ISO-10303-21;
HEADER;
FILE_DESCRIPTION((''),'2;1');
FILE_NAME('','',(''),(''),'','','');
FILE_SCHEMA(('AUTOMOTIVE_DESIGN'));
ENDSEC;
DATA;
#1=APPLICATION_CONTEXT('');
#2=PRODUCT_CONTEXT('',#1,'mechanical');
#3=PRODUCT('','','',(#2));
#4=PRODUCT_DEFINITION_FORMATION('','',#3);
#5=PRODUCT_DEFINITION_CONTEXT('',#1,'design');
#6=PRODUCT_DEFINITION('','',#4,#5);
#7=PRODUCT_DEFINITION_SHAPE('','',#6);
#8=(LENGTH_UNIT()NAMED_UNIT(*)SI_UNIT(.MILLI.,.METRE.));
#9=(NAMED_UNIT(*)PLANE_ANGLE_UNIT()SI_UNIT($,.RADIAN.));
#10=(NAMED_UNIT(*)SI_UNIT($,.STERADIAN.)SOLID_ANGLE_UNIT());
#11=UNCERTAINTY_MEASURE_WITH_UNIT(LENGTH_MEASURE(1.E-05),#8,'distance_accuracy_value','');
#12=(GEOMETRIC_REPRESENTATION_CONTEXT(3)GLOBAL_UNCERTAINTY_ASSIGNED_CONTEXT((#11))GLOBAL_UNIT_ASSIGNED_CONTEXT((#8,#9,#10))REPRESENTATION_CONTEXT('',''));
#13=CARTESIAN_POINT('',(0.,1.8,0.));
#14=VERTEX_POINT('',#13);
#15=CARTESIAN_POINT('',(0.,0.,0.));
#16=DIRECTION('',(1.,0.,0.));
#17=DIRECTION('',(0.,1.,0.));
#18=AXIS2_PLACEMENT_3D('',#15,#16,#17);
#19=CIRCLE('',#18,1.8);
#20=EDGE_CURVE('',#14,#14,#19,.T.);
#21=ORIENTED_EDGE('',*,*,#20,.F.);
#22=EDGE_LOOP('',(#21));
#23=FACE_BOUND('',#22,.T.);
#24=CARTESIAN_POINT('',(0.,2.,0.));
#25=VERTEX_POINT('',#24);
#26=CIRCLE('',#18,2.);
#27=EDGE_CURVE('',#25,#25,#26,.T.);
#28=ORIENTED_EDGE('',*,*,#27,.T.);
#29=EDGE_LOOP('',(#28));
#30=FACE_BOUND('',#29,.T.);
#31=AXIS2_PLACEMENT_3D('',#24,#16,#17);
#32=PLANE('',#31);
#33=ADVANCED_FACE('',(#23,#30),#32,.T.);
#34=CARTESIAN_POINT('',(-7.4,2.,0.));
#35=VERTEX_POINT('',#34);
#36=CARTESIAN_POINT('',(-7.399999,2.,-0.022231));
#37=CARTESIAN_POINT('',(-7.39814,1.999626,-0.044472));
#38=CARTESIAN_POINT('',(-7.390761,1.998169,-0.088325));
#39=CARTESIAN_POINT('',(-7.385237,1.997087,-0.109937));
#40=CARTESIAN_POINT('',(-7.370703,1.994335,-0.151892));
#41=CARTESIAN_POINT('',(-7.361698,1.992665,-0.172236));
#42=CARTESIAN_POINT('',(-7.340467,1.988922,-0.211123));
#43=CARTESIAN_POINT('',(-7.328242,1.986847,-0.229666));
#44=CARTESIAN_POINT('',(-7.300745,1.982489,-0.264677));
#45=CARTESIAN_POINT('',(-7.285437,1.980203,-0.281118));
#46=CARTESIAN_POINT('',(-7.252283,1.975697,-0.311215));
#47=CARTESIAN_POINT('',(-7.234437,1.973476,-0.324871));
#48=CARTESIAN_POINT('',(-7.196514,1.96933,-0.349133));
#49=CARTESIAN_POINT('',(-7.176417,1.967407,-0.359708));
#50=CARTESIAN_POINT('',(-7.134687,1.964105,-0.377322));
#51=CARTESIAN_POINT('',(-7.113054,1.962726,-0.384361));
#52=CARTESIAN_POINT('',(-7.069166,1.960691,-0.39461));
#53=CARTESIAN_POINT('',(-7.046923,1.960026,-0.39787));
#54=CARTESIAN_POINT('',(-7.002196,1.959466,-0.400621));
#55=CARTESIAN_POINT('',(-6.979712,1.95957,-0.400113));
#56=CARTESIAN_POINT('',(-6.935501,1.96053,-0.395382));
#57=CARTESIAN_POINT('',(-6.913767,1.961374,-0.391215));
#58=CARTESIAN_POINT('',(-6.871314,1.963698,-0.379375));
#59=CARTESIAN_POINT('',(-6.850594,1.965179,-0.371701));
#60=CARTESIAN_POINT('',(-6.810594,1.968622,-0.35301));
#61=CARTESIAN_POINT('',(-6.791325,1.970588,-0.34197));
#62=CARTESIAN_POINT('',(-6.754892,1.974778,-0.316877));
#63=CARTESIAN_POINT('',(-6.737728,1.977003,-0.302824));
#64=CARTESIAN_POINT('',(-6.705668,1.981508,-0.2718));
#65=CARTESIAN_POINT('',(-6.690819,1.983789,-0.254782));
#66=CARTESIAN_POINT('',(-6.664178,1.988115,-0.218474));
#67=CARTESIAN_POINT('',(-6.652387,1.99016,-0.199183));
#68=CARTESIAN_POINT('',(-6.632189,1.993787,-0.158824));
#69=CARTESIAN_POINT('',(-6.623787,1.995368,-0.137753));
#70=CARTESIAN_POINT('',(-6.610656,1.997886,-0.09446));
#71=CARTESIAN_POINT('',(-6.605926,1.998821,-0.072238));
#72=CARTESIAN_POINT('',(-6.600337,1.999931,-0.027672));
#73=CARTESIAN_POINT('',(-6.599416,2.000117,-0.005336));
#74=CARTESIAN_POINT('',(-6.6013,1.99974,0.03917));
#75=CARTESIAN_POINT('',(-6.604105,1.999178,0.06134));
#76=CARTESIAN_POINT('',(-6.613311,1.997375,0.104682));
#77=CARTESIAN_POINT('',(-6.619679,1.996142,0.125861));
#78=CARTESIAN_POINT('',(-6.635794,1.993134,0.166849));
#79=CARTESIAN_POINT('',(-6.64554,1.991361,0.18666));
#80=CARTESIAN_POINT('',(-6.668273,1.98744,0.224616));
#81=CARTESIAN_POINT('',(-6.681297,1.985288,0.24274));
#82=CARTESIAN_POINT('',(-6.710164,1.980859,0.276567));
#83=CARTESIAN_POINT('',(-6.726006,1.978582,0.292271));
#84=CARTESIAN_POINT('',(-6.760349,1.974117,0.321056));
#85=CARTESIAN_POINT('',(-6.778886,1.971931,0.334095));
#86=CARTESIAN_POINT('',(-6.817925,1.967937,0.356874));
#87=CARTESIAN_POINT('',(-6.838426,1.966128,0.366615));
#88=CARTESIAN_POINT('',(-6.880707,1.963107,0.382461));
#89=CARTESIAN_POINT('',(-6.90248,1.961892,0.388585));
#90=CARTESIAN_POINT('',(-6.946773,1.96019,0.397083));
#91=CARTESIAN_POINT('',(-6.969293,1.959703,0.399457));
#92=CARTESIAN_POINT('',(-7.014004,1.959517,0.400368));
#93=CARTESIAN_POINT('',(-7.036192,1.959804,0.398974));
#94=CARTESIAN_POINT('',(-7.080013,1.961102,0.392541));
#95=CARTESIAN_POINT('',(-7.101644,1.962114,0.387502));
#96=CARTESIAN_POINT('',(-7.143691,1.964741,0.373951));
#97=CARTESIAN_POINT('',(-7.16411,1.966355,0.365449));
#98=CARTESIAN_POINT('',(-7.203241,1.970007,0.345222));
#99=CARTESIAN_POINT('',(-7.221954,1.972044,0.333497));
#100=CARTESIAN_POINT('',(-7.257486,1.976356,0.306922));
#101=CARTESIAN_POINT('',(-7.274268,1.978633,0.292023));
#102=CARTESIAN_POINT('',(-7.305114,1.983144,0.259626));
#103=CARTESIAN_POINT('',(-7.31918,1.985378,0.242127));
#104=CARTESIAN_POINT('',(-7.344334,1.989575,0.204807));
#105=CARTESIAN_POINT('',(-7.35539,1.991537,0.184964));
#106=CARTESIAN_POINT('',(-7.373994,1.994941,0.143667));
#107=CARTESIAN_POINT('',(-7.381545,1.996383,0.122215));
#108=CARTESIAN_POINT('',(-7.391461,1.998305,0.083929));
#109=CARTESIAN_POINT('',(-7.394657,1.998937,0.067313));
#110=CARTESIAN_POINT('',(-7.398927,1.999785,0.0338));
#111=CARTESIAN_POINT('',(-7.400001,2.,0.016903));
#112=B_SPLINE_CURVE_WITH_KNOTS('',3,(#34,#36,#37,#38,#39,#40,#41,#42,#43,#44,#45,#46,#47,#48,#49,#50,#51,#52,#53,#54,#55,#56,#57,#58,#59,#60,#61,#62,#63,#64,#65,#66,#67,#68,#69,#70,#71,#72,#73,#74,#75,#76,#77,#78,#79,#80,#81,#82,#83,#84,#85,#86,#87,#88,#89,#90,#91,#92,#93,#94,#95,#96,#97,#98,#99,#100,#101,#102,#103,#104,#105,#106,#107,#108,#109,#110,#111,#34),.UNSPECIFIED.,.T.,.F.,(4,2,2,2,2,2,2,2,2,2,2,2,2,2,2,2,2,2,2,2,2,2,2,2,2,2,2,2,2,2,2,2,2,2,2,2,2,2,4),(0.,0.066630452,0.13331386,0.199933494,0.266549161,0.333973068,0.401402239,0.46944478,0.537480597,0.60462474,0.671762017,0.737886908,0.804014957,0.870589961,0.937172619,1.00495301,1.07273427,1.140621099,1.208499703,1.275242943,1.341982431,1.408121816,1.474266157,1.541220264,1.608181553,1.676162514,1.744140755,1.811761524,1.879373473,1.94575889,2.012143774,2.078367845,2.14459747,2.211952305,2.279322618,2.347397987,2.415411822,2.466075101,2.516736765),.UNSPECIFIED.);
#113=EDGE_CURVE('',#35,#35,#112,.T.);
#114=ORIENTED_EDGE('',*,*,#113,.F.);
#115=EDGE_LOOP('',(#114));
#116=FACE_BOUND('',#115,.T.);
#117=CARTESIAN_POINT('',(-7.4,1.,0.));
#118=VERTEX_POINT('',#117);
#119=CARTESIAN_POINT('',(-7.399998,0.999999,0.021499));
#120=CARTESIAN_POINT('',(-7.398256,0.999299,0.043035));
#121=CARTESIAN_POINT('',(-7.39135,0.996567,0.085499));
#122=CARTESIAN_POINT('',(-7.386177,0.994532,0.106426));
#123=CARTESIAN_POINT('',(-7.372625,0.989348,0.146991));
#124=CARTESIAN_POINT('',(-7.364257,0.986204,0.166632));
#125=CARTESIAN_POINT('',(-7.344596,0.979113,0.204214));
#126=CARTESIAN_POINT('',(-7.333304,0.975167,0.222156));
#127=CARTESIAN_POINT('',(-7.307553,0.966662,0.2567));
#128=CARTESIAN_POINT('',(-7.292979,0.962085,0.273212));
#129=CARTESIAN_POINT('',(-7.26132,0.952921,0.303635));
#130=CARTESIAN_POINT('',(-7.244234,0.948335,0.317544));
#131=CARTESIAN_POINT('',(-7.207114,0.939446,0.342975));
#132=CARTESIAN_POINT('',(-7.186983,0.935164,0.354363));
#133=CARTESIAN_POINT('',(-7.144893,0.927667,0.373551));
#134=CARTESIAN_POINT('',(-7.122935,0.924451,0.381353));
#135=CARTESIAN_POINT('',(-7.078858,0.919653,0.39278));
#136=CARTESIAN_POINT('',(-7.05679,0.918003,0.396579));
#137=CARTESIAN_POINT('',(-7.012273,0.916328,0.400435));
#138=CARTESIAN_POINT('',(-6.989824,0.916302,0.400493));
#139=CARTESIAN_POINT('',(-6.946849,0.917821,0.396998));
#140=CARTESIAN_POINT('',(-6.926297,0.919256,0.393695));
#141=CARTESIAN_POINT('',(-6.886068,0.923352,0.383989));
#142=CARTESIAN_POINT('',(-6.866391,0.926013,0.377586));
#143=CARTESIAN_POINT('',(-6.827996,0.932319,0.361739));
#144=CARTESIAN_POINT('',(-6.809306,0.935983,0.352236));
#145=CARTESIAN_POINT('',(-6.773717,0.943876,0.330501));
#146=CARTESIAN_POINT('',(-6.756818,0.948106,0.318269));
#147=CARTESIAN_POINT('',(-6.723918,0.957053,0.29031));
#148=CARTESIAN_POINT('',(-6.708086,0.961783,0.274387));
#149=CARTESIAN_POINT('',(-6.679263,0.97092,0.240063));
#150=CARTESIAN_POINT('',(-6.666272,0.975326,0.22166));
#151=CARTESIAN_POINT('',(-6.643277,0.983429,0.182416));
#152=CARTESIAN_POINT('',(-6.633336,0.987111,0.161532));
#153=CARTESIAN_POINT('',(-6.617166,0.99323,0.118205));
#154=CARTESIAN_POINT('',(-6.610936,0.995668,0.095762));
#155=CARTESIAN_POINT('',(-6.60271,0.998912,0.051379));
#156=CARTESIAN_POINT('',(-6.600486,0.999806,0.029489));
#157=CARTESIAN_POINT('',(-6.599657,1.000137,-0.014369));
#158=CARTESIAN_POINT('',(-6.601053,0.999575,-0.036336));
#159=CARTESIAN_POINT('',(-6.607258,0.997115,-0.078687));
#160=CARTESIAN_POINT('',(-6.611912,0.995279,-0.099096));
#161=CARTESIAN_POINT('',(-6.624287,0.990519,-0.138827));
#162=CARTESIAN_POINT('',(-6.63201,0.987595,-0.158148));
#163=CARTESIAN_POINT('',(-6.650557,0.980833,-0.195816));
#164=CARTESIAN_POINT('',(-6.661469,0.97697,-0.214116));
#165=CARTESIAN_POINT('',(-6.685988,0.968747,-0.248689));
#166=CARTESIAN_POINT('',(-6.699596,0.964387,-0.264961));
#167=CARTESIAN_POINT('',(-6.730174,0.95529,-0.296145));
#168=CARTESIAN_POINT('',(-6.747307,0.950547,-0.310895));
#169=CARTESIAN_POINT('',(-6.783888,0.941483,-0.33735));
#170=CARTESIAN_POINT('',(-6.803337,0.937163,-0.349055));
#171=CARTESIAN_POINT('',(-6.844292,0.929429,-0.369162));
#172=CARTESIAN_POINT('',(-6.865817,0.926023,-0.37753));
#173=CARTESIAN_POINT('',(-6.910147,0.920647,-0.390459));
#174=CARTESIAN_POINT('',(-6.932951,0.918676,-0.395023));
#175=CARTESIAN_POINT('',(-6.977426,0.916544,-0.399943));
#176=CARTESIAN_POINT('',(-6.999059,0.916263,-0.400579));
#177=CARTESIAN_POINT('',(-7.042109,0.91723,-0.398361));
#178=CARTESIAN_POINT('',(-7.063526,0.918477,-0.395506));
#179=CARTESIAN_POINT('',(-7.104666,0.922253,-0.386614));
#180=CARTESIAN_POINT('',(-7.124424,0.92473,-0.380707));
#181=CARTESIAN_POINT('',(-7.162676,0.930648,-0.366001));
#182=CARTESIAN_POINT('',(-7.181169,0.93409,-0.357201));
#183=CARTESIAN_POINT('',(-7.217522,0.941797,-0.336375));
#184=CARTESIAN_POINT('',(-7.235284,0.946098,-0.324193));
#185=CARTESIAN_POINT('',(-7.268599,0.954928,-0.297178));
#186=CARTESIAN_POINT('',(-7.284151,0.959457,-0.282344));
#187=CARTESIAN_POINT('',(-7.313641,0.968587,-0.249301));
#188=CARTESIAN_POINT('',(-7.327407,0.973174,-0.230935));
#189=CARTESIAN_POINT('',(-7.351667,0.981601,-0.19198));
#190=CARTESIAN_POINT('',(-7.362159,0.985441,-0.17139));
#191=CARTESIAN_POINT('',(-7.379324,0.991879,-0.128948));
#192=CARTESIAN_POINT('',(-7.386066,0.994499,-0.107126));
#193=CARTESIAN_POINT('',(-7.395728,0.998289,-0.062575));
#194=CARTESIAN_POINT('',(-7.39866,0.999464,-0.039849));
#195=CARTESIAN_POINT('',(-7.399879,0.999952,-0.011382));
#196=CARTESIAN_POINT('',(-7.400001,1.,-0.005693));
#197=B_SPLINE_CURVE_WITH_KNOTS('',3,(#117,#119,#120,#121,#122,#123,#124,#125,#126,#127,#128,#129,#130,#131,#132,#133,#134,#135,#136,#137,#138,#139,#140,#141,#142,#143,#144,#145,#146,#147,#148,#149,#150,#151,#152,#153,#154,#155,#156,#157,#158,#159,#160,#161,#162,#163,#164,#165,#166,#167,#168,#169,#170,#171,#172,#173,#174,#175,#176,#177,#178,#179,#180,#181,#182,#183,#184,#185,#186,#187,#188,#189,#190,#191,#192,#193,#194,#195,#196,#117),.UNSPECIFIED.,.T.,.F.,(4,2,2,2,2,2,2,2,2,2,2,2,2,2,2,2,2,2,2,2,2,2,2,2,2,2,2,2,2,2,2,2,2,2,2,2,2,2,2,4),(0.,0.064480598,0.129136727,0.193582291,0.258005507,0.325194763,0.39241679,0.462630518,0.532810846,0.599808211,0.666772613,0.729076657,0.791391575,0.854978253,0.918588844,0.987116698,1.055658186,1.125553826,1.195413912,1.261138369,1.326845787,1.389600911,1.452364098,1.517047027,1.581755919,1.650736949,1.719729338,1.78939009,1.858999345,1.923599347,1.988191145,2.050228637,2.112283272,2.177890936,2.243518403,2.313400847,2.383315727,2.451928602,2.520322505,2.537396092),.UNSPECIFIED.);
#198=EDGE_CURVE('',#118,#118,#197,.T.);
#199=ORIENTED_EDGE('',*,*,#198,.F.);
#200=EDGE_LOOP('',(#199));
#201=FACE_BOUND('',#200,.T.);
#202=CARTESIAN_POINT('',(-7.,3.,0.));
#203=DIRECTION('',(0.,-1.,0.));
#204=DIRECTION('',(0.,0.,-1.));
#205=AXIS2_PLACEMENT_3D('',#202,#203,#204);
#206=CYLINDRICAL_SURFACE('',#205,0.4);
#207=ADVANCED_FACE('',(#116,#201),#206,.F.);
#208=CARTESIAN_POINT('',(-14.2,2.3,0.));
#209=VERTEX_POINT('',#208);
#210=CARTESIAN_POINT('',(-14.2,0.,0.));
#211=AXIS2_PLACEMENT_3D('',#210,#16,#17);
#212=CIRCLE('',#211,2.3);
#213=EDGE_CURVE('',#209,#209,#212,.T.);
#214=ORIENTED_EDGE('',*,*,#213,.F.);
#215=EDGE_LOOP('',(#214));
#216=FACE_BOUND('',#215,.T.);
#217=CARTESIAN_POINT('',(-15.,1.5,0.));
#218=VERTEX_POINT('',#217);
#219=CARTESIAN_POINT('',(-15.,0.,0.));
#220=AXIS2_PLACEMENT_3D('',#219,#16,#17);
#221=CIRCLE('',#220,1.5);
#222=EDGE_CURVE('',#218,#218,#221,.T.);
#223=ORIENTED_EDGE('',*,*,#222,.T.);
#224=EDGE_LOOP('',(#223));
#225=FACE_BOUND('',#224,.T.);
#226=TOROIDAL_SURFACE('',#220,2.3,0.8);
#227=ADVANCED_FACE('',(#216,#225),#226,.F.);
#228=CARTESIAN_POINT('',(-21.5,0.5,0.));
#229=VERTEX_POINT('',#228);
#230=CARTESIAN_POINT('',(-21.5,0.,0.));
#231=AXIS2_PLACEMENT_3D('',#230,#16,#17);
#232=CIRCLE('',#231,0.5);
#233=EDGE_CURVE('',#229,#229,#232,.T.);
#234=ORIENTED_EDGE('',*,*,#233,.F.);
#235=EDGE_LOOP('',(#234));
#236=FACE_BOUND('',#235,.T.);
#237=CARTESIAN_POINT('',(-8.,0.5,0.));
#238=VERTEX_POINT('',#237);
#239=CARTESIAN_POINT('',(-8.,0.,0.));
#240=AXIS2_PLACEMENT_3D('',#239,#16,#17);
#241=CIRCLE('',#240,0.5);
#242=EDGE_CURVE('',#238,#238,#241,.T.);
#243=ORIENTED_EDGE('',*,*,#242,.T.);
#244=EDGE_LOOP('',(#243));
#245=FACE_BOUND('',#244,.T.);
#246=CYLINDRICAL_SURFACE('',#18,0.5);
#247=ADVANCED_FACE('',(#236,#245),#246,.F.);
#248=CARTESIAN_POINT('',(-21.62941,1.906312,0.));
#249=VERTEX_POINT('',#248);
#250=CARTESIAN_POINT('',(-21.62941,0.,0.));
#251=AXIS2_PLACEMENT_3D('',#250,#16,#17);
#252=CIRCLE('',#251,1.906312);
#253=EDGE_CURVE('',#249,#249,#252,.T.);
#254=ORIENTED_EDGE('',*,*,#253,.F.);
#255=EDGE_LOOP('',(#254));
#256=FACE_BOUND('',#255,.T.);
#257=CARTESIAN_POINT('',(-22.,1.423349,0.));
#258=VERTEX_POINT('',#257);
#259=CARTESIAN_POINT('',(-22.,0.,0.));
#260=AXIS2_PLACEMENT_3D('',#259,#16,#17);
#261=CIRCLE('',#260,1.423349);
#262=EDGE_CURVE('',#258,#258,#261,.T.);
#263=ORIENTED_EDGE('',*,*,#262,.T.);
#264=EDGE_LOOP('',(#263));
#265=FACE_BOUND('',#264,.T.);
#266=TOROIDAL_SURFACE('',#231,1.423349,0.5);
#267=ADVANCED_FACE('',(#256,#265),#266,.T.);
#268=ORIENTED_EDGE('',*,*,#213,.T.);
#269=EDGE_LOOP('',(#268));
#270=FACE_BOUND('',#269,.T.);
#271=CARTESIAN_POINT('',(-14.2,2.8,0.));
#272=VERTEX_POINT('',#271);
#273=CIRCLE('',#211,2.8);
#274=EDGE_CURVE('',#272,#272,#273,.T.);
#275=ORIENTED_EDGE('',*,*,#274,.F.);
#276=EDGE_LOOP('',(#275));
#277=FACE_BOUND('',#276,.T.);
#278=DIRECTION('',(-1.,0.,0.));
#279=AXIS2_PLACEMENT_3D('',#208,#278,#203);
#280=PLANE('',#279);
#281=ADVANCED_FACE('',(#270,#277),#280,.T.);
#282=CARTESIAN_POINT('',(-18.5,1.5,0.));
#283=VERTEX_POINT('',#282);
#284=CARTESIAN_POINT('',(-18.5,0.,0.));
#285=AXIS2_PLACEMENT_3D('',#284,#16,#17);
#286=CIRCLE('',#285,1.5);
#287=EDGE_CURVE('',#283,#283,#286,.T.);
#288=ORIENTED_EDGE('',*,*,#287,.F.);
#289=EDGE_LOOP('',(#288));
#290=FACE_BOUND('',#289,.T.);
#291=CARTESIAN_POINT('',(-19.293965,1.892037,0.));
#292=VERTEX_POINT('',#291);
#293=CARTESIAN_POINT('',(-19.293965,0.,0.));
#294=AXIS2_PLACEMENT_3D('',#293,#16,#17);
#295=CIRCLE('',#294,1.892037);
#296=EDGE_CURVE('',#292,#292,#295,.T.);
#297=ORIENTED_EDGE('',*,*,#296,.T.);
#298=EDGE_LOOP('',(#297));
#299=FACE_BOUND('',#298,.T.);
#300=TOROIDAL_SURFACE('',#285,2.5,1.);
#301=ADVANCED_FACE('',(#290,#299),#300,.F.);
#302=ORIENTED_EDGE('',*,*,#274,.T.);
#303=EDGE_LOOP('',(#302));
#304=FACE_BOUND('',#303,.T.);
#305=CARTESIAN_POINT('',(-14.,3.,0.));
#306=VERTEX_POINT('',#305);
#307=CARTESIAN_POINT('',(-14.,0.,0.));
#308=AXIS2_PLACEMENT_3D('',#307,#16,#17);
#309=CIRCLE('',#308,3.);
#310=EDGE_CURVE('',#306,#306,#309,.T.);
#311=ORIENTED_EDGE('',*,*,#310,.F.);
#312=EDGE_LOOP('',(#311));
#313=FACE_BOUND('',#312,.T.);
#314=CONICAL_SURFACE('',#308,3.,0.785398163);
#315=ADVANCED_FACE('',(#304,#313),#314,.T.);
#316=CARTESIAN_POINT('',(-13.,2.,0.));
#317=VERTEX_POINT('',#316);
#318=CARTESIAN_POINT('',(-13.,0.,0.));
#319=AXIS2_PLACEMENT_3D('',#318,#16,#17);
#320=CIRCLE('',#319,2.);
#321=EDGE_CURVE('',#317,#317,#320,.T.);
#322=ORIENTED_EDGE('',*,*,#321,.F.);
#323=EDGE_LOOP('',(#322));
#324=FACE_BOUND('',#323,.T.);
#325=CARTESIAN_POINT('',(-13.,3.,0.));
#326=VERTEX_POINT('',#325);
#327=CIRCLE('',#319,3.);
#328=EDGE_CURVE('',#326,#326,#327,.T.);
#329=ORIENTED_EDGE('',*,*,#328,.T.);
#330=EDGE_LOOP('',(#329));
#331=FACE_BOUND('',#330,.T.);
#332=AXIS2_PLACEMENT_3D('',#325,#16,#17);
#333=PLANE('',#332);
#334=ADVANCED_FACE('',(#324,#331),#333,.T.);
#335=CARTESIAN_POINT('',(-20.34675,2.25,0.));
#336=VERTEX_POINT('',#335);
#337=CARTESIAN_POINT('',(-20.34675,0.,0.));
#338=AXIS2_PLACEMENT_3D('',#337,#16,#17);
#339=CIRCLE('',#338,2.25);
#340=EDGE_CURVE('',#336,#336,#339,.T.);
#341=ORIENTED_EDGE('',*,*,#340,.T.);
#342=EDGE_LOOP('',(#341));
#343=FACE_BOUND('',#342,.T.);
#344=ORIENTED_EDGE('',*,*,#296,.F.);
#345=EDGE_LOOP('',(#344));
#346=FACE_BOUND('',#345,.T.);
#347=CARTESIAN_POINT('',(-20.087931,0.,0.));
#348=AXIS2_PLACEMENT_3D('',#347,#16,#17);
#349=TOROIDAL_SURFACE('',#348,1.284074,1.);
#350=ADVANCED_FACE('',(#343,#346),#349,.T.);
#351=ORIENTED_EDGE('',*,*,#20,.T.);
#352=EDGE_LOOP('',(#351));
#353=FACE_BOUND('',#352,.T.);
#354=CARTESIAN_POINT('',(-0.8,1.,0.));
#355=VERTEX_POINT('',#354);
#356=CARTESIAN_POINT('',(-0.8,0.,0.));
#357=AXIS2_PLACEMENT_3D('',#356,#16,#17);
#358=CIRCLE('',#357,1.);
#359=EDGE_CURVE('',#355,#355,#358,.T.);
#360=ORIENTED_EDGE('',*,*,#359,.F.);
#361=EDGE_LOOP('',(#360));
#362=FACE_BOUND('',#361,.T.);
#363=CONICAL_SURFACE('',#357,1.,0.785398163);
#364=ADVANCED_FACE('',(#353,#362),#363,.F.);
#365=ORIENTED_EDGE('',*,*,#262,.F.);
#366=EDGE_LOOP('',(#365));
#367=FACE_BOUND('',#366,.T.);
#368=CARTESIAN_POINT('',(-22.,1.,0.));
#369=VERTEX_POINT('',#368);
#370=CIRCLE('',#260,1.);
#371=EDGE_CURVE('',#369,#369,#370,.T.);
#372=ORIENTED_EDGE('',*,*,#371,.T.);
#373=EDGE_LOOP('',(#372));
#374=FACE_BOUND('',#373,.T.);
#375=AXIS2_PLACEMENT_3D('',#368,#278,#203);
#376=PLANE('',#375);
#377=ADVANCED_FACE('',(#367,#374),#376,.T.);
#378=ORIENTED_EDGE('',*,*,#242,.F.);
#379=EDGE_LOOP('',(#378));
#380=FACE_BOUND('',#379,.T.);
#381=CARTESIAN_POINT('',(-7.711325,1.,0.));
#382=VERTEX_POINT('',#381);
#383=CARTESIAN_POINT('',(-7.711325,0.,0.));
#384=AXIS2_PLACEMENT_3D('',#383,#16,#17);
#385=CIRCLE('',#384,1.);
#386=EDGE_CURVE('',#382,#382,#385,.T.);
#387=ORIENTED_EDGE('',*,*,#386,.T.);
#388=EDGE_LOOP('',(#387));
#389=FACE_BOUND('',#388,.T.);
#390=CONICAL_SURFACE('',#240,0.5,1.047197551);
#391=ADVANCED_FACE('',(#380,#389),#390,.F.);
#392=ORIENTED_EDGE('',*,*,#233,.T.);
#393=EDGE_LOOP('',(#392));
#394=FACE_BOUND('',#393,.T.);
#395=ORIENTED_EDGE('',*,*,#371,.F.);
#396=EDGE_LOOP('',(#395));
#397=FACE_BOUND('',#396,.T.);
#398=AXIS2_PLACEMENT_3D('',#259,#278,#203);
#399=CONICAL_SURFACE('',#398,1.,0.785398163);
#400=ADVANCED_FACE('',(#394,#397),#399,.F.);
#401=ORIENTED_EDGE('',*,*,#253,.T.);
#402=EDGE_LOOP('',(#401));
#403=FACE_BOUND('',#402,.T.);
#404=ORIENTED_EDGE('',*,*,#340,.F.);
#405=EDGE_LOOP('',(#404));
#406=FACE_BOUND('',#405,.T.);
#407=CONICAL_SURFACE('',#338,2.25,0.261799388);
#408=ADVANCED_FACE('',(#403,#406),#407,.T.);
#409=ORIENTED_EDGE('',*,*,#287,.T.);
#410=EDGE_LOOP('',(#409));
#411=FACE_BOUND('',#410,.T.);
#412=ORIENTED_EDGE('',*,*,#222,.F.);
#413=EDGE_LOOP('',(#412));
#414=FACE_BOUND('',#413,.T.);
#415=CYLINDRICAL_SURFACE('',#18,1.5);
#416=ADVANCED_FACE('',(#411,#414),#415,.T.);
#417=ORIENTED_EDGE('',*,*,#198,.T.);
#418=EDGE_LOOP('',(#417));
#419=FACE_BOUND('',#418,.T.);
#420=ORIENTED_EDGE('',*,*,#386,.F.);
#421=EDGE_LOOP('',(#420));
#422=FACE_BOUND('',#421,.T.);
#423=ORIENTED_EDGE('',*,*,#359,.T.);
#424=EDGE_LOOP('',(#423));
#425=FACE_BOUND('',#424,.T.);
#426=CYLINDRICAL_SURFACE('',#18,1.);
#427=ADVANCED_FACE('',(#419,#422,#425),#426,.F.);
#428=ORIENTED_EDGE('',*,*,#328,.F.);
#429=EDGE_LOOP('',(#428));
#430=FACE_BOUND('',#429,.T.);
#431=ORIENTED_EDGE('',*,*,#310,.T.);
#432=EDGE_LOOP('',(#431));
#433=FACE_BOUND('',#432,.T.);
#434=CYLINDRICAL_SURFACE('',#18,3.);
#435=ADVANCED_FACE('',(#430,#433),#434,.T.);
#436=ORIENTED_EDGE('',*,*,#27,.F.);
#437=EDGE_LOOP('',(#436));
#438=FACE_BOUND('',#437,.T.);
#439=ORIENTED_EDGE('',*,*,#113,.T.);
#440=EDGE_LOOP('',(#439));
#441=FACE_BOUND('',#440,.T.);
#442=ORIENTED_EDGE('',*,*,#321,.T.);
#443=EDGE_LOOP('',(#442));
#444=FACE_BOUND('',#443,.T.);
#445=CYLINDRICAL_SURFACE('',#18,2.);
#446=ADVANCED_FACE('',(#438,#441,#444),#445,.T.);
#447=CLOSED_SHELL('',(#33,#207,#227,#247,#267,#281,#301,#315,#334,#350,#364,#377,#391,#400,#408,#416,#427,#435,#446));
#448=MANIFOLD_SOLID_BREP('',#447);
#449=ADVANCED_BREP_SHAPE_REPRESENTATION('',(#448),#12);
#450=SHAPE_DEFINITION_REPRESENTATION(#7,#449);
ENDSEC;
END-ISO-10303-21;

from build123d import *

# Parameters (mm, degrees)
SKETCH2_R          = 0.4
CUT_EXTRUDE1_DEPTH = 4


with BuildPart() as part:
    # Sketch1 → Revolve1 (revolve)
    with BuildSketch(Plane.XY):
        with BuildLine():
            Line((0, 1.8), (-0.8, 1))
            Line((-0.8, 1), (-7.711324865, 1))
            Line((-7.711324865, 1), (-8, 0.5))
            Line((-8, 0.5), (-21.5, 0.5))
            Line((-21.5, 0.5), (-22, 1))
            Line((-22, 1), (-22, 1.423349476))
            ThreePointArc((-22, 1.423349476), (-21.89667667, 1.72773019), (-21.629409523, 1.906312389))
            Line((-21.629409523, 1.906312389), (-20.346749895, 2.25))
            ThreePointArc((-20.346749895, 2.25), (-19.766015063, 2.23084248), (-19.293965425, 1.892037087))
            ThreePointArc((-19.293965425, 1.892037087), (-18.942739815, 1.603349869), (-18.5, 1.5))
            Line((-18.5, 1.5), (-15, 1.5))
            ThreePointArc((-15, 1.5), (-14.434314575, 1.734314575), (-14.2, 2.3))
            Line((-14.2, 2.3), (-14.2, 2.8))
            Line((-14.2, 2.8), (-14, 3))
            Line((-14, 3), (-13, 3))
            Line((-13, 3), (-13, 2))
            Line((-13, 2), (0, 2))
            Line((0, 2), (0, 1.8))
        make_face()
    revolve(axis=Axis((0, 0, 0), (-1, 0, 0)))

    # Sketch2 → Cut-Extrude1 (cut, through all)
    with BuildSketch(Plane(origin=(0, 0, 0), x_dir=(1, 0, 0), z_dir=(0, 1, 0))):
        with Locations(Location((-7, 0, 0), (0, 0, 180))):  # turned: the seam where the file's is
            Circle(SKETCH2_R)
    extrude(amount=CUT_EXTRUDE1_DEPTH, mode=Mode.SUBTRACT)


solid = part.part
